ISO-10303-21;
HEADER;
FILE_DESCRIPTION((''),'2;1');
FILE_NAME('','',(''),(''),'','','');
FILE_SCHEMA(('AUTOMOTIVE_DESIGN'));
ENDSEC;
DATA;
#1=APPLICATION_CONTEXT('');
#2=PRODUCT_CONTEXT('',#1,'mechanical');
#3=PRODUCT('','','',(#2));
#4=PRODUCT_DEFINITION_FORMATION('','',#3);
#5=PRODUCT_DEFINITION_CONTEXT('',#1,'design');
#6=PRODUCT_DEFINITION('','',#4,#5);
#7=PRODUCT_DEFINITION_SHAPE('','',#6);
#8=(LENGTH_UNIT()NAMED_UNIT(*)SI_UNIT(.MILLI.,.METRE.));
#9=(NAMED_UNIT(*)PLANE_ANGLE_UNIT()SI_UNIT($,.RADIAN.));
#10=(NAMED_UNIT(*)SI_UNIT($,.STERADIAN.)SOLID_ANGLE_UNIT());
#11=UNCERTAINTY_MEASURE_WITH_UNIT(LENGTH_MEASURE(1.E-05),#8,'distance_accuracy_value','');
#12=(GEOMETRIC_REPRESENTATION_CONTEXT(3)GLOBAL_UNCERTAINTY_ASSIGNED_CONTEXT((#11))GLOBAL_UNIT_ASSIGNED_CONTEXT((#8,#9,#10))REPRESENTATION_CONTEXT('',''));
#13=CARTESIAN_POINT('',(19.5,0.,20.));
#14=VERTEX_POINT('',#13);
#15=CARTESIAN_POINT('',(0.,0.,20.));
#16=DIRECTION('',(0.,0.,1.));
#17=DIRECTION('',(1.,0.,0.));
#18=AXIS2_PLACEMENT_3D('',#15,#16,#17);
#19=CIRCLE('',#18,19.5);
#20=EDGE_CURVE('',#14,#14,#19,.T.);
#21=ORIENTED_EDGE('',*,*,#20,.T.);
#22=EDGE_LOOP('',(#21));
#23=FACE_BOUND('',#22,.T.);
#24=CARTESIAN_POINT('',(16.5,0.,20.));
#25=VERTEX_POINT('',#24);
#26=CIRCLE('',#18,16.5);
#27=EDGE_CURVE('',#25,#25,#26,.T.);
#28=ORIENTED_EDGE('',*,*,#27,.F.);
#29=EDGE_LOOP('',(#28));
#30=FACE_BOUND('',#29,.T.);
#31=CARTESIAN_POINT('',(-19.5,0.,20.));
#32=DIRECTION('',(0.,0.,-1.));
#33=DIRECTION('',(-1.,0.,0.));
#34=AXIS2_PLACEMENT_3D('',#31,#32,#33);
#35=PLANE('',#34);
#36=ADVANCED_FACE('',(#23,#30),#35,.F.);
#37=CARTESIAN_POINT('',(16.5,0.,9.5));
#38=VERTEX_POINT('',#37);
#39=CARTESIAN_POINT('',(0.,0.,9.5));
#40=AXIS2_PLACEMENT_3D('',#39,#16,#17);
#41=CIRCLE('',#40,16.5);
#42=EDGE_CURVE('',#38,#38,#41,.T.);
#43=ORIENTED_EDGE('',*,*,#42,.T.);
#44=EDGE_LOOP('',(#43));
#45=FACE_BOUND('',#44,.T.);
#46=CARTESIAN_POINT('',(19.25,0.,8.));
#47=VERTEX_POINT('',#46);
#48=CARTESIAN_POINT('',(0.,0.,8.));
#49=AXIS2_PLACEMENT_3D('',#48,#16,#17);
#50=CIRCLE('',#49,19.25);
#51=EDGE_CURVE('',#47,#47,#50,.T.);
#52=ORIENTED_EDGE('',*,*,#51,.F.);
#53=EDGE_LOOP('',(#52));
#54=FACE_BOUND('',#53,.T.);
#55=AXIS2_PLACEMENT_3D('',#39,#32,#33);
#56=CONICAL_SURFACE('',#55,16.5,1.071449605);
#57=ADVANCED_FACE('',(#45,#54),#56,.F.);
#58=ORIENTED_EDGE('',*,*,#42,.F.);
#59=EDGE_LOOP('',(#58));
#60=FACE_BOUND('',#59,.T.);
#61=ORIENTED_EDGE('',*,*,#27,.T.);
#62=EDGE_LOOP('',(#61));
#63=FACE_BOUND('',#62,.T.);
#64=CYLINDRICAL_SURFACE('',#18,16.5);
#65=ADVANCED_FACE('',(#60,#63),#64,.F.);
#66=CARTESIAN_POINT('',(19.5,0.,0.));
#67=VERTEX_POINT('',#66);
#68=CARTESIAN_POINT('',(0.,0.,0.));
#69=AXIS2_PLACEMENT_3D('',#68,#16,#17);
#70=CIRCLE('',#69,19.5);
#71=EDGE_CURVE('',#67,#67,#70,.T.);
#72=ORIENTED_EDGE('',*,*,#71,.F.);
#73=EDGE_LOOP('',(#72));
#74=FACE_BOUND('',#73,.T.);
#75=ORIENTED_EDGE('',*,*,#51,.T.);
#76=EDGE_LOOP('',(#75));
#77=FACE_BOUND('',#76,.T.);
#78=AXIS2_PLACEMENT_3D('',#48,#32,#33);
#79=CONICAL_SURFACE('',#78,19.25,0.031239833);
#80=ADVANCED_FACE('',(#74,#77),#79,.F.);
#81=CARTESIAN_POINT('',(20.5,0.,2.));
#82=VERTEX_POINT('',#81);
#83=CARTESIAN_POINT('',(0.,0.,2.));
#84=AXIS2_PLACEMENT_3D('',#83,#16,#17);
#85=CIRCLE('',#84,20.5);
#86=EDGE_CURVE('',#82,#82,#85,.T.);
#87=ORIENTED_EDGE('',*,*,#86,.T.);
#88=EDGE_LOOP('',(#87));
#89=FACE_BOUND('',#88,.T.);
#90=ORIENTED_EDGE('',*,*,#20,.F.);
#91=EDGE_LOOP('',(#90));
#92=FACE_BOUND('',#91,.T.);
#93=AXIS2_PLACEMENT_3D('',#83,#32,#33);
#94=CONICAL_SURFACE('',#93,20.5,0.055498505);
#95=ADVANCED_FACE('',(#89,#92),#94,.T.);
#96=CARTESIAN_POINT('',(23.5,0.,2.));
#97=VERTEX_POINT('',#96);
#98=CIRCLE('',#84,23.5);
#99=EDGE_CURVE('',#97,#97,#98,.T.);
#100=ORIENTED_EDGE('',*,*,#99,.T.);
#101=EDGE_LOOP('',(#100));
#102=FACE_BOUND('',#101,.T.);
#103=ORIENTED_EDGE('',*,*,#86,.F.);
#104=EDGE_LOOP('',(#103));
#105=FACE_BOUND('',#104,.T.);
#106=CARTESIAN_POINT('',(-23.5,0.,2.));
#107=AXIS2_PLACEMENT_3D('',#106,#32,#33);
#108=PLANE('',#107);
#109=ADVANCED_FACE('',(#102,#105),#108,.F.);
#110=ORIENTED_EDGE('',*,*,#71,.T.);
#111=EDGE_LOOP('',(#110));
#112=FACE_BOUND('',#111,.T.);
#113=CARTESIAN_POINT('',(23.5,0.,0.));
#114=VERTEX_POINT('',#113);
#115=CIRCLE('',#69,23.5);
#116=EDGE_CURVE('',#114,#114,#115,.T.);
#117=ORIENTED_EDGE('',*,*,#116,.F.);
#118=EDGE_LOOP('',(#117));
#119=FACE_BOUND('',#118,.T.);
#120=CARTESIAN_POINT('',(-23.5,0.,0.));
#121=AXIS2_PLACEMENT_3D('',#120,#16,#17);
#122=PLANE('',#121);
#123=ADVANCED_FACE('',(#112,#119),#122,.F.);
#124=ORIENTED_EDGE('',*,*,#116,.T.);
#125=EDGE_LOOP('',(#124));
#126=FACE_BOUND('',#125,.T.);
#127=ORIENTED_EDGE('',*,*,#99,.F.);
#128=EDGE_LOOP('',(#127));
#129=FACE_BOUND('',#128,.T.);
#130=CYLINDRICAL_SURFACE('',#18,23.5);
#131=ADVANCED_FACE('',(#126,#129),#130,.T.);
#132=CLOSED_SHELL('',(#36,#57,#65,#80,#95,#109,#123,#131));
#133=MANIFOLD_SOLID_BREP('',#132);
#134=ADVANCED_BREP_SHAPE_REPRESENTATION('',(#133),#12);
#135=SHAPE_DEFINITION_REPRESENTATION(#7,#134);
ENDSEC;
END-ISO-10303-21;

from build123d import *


with BuildPart() as part:
    # Sketch1 → Revolve1 (revolve)
    with BuildSketch(Plane(origin=(0, 0, 0), x_dir=(-1, 0, 0), z_dir=(0, 1, 0)), mode=Mode.PRIVATE) as revolve1_sk:
        Polygon((19.5, 0), (19.25, 8), (16.5, 9.5), (16.5, 20), (19.5, 20), (20.5, 2), (23.5, 2), (23.5, 0), align=None)
    revolve(revolve1_sk.sketch.rotate(Axis((0, 0, 20), (0, 0, -1)), 180), axis=Axis((0, 0, 20), (0, 0, -1)))


solid = part.part
